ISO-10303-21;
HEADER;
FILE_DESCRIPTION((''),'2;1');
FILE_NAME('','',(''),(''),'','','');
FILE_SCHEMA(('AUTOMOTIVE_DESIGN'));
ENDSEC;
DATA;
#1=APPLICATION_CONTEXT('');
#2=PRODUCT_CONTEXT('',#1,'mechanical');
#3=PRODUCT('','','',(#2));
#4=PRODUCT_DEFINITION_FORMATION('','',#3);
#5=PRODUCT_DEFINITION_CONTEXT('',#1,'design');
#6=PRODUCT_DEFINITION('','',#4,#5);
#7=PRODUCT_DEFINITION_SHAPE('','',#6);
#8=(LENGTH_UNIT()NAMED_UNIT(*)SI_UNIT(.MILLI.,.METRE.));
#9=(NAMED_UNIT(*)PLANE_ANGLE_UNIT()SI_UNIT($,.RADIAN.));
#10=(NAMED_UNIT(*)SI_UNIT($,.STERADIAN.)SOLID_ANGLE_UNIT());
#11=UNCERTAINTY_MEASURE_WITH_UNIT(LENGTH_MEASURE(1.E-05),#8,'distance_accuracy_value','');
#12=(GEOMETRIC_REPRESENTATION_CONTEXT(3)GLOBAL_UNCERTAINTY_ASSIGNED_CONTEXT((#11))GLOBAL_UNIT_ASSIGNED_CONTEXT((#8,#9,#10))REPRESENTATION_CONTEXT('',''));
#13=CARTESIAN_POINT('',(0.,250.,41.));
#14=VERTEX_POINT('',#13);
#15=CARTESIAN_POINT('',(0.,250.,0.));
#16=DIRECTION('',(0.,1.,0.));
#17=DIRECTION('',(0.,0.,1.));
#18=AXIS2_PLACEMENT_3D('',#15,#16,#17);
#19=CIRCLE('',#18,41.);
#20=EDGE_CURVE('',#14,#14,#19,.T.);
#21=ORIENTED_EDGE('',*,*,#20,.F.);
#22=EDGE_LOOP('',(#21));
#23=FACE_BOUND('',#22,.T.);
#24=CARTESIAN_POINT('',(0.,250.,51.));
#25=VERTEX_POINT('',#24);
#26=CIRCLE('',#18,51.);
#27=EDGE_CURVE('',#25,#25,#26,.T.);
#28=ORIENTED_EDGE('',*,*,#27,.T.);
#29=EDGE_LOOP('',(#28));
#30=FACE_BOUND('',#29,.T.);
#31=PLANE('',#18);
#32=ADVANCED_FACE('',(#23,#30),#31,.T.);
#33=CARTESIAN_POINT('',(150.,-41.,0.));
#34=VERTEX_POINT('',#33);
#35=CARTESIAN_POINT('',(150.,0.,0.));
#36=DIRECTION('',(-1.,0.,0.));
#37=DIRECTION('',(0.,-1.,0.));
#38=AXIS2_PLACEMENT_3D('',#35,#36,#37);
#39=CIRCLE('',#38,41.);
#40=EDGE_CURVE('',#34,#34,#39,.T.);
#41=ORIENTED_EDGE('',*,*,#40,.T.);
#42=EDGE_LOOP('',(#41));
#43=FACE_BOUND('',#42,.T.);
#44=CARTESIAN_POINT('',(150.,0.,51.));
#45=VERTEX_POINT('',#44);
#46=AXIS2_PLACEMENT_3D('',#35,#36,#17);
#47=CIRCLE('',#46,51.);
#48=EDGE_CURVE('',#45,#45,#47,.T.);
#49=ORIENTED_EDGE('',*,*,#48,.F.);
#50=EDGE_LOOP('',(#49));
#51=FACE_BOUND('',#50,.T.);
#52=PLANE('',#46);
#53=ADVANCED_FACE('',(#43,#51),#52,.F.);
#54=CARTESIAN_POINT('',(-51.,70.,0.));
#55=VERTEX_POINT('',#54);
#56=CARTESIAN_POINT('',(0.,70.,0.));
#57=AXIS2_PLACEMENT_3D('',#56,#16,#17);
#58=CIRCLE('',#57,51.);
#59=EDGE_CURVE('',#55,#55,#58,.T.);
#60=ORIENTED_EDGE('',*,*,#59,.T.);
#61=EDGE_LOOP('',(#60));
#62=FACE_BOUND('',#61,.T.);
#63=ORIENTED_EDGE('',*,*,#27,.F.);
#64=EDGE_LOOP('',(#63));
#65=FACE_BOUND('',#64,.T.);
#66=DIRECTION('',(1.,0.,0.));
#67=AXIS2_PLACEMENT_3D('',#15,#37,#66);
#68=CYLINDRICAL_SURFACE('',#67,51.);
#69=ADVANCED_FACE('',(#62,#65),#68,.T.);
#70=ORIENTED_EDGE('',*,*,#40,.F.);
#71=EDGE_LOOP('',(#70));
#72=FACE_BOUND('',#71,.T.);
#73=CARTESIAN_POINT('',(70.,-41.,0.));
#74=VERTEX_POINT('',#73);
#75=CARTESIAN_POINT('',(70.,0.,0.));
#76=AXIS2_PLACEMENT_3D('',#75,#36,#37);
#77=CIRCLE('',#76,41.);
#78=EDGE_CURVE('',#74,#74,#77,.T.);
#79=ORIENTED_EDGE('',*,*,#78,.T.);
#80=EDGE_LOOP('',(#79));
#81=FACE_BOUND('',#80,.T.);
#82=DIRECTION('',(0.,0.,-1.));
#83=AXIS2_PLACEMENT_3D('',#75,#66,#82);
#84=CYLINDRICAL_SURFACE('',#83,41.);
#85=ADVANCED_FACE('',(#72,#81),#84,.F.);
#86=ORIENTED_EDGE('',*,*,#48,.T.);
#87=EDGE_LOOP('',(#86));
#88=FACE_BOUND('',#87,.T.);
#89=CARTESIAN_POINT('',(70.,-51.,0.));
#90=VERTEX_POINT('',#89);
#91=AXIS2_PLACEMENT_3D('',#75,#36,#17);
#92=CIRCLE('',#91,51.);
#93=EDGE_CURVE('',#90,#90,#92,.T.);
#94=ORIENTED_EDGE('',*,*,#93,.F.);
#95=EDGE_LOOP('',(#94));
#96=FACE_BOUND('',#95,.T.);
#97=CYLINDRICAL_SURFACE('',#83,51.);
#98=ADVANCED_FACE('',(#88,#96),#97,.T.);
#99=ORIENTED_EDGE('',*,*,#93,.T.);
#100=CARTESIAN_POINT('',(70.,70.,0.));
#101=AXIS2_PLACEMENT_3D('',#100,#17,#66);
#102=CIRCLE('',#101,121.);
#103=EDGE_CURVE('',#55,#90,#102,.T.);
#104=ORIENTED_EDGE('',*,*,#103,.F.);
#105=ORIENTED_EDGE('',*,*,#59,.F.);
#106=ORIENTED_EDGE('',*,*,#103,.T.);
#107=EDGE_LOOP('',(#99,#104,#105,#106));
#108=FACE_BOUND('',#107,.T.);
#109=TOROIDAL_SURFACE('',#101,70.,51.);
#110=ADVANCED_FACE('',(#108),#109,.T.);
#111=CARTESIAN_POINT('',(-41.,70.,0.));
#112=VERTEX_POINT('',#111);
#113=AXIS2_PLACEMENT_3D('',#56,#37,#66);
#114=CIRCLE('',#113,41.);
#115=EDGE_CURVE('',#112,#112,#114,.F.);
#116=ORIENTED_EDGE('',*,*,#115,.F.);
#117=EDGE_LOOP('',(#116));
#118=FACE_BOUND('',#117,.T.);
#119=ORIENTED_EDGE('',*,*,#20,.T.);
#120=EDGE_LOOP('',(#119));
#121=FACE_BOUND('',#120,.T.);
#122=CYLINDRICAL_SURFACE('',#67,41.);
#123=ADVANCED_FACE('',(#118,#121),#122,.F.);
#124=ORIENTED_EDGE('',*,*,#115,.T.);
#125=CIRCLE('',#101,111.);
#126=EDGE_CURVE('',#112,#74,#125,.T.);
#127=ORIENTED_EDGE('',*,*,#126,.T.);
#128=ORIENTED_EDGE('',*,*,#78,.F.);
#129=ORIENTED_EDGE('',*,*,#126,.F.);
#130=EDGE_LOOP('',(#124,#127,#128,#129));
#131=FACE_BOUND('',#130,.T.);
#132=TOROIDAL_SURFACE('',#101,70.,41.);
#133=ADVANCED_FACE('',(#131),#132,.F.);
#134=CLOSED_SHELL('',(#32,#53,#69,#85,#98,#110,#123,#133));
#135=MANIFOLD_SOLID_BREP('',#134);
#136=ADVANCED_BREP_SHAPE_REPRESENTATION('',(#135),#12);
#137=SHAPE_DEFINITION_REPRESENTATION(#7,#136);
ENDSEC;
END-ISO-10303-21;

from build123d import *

# Parameters (mm, degrees)
SKETCH2_R = 51
SHELL1_T  = -10


with BuildPart() as part:
    # Sweep10: sweep along a path in Sketch1
    with BuildLine(Plane.XY) as sweep10_path:
        Line((0, 250), (0, 70))
        ThreePointArc((0, 70), (20.502525317, 20.502525317), (70, 0))
        Line((70, 0), (150, 0))
    # Sketch2 → Sweep10 (sweep)
    with BuildSketch(Plane(origin=(0, 250, 0), x_dir=(1, 0, 0), z_dir=(0, 1, 0))):
        Circle(SKETCH2_R)
    sweep(path=sweep10_path.line)

    # Shell1
    shell1_openings = [part.faces().sort_by_distance(p)[0] for p in [
        (150, 0, 0),
        (0, 250, 0),
    ]]
    offset(amount=SHELL1_T, openings=shell1_openings, kind=Kind.INTERSECTION)


solid = part.part
